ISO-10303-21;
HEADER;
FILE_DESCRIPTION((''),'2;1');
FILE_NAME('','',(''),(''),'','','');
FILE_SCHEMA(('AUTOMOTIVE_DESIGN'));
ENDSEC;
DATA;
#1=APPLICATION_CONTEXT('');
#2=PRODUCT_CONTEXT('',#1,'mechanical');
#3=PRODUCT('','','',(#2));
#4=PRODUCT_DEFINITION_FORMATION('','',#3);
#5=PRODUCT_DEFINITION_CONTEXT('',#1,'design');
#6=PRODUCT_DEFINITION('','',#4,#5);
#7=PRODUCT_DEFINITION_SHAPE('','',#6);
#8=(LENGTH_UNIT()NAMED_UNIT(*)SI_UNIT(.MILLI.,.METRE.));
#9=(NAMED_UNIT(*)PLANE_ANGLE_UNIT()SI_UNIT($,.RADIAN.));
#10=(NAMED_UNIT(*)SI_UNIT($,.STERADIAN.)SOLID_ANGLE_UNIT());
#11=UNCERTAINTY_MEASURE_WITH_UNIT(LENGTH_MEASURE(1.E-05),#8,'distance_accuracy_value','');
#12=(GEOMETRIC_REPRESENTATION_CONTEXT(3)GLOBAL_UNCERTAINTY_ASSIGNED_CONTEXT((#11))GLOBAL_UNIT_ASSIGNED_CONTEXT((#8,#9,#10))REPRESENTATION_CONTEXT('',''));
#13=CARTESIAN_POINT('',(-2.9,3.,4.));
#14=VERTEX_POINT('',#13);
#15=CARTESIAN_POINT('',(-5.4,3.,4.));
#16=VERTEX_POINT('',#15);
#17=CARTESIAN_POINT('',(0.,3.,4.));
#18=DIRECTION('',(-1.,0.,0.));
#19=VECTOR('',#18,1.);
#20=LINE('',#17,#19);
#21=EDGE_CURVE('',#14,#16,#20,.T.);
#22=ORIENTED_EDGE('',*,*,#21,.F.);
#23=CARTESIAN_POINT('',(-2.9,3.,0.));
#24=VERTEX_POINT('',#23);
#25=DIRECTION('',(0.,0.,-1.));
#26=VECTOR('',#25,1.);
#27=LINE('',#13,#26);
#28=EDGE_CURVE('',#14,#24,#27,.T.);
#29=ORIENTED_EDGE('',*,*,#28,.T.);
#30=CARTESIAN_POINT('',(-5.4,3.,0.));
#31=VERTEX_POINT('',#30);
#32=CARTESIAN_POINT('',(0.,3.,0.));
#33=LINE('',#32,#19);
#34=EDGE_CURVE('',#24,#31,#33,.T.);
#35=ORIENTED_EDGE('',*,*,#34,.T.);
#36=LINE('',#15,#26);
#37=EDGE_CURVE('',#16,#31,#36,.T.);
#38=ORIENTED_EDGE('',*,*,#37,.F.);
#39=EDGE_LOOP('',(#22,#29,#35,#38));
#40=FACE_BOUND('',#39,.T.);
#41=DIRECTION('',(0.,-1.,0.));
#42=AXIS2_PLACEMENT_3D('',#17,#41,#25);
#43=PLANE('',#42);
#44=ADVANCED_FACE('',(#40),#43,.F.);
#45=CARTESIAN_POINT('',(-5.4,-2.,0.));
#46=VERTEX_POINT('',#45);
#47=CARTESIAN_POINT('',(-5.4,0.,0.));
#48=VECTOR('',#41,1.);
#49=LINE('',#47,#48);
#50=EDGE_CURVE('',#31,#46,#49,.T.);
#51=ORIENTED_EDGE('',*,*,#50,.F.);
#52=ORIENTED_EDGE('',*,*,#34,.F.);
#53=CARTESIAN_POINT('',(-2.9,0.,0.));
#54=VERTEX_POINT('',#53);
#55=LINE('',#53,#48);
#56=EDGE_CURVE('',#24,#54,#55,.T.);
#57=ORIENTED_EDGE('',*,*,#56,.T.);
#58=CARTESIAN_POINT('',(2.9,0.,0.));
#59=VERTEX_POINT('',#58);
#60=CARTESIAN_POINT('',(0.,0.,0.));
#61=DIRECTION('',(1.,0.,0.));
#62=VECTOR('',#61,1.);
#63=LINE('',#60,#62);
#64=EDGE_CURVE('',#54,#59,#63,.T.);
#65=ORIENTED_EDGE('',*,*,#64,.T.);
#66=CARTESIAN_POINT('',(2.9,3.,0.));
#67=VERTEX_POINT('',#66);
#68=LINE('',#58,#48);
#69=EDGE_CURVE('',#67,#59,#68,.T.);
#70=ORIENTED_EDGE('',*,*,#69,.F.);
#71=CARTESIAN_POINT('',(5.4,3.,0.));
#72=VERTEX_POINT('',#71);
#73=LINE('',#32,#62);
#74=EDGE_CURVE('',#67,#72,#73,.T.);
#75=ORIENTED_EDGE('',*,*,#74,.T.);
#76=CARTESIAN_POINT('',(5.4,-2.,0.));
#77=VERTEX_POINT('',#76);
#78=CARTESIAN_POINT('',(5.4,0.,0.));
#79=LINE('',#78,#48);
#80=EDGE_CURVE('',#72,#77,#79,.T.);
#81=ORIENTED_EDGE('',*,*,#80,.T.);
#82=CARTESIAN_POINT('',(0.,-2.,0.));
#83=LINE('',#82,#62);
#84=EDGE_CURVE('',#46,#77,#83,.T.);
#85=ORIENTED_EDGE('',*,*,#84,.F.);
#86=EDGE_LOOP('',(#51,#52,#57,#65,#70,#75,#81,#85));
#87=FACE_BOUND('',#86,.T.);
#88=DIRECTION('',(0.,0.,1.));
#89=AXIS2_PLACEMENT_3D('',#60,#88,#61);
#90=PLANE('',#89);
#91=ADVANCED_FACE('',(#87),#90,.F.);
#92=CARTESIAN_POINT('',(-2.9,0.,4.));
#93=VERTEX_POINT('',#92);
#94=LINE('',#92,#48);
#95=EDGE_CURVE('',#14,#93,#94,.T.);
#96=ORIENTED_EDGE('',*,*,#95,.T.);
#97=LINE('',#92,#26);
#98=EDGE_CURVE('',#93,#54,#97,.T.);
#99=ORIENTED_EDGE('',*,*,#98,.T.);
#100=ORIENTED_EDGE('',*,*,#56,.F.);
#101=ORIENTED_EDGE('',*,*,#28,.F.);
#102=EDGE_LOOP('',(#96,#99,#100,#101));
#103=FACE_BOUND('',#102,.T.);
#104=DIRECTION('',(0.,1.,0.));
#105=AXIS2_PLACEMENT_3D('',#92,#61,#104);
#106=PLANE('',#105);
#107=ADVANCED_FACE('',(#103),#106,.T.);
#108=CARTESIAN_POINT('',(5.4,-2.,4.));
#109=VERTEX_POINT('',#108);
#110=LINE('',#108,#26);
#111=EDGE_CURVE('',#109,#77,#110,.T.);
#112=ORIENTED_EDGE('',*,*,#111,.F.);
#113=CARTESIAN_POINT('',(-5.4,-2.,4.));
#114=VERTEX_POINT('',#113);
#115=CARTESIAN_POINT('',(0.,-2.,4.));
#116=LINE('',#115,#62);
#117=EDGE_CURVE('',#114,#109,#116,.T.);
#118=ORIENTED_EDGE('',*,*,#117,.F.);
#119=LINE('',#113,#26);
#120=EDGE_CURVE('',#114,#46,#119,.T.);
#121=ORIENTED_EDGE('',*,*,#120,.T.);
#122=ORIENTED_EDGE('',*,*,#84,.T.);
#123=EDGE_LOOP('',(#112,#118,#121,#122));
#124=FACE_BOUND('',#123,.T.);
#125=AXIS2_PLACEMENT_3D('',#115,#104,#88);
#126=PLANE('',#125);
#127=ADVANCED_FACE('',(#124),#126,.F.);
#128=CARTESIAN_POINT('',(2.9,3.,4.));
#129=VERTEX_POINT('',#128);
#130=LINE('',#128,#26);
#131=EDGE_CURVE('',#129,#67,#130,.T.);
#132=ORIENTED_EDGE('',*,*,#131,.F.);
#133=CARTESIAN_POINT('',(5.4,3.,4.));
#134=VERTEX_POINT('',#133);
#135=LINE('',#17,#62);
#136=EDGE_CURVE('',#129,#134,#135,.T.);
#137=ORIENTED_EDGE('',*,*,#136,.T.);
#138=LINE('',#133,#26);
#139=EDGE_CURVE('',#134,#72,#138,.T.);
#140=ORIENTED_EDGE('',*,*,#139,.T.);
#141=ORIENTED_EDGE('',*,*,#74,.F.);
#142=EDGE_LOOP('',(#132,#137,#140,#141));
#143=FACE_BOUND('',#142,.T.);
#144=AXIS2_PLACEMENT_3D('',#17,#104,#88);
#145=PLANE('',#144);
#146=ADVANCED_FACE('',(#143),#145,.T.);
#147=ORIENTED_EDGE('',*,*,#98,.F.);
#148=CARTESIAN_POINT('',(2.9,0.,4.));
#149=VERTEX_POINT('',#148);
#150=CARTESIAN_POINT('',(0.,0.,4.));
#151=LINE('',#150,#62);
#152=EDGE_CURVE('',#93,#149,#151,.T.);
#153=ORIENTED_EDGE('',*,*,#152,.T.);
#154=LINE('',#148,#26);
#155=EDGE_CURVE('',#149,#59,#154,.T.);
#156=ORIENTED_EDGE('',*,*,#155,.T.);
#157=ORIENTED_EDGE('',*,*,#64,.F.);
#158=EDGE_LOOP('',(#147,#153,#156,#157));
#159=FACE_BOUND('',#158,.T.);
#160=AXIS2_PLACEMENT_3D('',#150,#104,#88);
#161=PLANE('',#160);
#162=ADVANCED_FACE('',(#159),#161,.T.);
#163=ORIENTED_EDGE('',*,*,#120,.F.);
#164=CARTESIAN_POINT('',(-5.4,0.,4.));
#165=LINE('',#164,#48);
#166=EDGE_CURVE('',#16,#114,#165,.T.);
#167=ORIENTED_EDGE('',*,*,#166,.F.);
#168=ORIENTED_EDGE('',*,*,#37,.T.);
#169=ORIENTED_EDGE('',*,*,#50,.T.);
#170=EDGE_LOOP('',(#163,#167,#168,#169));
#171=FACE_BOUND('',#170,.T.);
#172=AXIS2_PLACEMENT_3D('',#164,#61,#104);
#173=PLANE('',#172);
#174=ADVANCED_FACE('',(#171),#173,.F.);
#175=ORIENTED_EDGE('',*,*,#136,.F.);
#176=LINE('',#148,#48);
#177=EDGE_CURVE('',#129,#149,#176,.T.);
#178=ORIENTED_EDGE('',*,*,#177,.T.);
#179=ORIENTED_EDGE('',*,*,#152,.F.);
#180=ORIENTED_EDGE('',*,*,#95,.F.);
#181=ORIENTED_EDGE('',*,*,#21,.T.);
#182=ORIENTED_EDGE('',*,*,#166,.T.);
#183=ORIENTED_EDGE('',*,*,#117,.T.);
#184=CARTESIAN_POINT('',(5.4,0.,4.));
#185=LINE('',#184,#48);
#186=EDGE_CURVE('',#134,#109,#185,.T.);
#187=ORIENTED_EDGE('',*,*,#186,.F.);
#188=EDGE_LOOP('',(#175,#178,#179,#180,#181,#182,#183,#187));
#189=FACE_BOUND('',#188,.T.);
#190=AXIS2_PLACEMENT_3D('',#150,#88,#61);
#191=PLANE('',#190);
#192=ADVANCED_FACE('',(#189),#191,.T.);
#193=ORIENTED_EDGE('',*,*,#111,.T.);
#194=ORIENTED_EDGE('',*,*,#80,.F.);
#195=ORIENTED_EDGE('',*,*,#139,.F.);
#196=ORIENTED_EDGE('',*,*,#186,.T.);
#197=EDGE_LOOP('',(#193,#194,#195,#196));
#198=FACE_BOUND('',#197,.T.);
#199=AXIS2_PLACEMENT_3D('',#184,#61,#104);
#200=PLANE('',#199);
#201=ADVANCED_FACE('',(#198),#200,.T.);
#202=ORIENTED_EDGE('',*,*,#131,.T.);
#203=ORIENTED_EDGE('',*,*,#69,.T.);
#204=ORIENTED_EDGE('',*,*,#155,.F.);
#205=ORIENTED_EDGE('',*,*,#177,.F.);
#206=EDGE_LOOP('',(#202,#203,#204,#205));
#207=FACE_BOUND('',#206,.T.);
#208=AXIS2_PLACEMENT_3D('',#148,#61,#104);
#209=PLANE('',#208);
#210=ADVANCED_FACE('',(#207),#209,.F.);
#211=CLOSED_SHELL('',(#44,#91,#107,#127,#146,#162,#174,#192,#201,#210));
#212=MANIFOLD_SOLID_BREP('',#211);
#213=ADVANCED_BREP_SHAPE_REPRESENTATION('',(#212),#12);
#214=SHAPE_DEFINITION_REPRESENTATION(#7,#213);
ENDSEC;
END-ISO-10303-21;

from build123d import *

# Parameters (mm, degrees)
BOSS_EXTRU_1_DEPTH = 4


with BuildPart() as part:
    # Esquisse1 → Boss.-Extru.1 (new body)
    with BuildSketch(Plane.XY):
        Polygon((-2.9, 0), (-2.9, 3), (-5.4, 3), (-5.4, -2), (0, -2), (0, 0), align=None)
        Polygon((2.9, 0), (0, 0), (0, -2), (5.4, -2), (5.4, 3), (2.9, 3), align=None)
    extrude(amount=BOSS_EXTRU_1_DEPTH)


solid = part.part
